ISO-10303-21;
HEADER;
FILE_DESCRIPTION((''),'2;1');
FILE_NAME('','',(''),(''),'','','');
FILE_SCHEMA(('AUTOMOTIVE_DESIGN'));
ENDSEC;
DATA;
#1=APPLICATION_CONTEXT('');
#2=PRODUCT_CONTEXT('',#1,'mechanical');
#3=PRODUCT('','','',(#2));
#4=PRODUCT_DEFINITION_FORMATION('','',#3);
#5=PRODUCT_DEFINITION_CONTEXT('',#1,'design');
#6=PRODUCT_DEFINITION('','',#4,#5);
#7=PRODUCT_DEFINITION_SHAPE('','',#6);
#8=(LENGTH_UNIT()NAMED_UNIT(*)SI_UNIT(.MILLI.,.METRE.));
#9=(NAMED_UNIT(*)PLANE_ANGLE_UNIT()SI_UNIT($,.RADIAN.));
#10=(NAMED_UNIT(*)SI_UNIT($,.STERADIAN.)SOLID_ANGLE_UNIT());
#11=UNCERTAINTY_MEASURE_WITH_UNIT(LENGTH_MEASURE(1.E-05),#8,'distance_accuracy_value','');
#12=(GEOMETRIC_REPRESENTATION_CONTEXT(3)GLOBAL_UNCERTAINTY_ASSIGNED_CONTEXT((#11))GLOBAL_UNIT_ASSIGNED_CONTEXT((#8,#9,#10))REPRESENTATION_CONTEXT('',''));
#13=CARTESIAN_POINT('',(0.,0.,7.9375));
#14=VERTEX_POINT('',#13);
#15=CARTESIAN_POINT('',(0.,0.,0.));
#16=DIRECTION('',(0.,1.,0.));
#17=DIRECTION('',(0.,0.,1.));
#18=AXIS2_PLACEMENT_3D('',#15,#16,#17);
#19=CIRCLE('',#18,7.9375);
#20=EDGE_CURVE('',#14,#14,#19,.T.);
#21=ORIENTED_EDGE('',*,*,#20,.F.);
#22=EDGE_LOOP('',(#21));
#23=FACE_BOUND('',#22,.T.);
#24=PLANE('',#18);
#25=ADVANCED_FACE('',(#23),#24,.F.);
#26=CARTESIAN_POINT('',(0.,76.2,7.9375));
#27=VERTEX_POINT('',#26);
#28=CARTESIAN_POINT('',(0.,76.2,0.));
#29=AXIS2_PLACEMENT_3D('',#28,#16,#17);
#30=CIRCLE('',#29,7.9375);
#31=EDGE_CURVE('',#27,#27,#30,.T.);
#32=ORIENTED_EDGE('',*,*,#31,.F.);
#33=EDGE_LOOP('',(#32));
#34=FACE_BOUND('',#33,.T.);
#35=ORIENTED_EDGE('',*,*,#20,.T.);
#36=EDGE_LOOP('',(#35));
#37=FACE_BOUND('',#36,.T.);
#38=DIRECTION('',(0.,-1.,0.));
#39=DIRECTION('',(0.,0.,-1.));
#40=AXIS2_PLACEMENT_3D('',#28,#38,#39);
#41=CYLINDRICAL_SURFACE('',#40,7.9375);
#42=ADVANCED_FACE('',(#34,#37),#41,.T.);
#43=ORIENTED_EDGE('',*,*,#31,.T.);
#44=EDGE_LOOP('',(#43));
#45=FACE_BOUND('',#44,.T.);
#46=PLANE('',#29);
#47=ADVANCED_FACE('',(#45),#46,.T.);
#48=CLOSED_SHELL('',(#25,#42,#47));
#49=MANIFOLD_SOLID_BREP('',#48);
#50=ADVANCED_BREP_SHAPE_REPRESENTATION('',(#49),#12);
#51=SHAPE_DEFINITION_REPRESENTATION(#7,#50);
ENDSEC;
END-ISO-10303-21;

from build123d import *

# Parameters (mm, degrees)
SKETCH1_R           = 7.9375
BOSS_EXTRUDE1_DEPTH = 76.2


with BuildPart() as part:
    # Sketch1 → Boss-Extrude1 (new body)
    with BuildSketch(Plane(origin=(0, 0, 0), x_dir=(1, 0, 0), z_dir=(0, 1, 0))):
        Circle(SKETCH1_R)
    extrude(amount=BOSS_EXTRUDE1_DEPTH)


solid = part.part
